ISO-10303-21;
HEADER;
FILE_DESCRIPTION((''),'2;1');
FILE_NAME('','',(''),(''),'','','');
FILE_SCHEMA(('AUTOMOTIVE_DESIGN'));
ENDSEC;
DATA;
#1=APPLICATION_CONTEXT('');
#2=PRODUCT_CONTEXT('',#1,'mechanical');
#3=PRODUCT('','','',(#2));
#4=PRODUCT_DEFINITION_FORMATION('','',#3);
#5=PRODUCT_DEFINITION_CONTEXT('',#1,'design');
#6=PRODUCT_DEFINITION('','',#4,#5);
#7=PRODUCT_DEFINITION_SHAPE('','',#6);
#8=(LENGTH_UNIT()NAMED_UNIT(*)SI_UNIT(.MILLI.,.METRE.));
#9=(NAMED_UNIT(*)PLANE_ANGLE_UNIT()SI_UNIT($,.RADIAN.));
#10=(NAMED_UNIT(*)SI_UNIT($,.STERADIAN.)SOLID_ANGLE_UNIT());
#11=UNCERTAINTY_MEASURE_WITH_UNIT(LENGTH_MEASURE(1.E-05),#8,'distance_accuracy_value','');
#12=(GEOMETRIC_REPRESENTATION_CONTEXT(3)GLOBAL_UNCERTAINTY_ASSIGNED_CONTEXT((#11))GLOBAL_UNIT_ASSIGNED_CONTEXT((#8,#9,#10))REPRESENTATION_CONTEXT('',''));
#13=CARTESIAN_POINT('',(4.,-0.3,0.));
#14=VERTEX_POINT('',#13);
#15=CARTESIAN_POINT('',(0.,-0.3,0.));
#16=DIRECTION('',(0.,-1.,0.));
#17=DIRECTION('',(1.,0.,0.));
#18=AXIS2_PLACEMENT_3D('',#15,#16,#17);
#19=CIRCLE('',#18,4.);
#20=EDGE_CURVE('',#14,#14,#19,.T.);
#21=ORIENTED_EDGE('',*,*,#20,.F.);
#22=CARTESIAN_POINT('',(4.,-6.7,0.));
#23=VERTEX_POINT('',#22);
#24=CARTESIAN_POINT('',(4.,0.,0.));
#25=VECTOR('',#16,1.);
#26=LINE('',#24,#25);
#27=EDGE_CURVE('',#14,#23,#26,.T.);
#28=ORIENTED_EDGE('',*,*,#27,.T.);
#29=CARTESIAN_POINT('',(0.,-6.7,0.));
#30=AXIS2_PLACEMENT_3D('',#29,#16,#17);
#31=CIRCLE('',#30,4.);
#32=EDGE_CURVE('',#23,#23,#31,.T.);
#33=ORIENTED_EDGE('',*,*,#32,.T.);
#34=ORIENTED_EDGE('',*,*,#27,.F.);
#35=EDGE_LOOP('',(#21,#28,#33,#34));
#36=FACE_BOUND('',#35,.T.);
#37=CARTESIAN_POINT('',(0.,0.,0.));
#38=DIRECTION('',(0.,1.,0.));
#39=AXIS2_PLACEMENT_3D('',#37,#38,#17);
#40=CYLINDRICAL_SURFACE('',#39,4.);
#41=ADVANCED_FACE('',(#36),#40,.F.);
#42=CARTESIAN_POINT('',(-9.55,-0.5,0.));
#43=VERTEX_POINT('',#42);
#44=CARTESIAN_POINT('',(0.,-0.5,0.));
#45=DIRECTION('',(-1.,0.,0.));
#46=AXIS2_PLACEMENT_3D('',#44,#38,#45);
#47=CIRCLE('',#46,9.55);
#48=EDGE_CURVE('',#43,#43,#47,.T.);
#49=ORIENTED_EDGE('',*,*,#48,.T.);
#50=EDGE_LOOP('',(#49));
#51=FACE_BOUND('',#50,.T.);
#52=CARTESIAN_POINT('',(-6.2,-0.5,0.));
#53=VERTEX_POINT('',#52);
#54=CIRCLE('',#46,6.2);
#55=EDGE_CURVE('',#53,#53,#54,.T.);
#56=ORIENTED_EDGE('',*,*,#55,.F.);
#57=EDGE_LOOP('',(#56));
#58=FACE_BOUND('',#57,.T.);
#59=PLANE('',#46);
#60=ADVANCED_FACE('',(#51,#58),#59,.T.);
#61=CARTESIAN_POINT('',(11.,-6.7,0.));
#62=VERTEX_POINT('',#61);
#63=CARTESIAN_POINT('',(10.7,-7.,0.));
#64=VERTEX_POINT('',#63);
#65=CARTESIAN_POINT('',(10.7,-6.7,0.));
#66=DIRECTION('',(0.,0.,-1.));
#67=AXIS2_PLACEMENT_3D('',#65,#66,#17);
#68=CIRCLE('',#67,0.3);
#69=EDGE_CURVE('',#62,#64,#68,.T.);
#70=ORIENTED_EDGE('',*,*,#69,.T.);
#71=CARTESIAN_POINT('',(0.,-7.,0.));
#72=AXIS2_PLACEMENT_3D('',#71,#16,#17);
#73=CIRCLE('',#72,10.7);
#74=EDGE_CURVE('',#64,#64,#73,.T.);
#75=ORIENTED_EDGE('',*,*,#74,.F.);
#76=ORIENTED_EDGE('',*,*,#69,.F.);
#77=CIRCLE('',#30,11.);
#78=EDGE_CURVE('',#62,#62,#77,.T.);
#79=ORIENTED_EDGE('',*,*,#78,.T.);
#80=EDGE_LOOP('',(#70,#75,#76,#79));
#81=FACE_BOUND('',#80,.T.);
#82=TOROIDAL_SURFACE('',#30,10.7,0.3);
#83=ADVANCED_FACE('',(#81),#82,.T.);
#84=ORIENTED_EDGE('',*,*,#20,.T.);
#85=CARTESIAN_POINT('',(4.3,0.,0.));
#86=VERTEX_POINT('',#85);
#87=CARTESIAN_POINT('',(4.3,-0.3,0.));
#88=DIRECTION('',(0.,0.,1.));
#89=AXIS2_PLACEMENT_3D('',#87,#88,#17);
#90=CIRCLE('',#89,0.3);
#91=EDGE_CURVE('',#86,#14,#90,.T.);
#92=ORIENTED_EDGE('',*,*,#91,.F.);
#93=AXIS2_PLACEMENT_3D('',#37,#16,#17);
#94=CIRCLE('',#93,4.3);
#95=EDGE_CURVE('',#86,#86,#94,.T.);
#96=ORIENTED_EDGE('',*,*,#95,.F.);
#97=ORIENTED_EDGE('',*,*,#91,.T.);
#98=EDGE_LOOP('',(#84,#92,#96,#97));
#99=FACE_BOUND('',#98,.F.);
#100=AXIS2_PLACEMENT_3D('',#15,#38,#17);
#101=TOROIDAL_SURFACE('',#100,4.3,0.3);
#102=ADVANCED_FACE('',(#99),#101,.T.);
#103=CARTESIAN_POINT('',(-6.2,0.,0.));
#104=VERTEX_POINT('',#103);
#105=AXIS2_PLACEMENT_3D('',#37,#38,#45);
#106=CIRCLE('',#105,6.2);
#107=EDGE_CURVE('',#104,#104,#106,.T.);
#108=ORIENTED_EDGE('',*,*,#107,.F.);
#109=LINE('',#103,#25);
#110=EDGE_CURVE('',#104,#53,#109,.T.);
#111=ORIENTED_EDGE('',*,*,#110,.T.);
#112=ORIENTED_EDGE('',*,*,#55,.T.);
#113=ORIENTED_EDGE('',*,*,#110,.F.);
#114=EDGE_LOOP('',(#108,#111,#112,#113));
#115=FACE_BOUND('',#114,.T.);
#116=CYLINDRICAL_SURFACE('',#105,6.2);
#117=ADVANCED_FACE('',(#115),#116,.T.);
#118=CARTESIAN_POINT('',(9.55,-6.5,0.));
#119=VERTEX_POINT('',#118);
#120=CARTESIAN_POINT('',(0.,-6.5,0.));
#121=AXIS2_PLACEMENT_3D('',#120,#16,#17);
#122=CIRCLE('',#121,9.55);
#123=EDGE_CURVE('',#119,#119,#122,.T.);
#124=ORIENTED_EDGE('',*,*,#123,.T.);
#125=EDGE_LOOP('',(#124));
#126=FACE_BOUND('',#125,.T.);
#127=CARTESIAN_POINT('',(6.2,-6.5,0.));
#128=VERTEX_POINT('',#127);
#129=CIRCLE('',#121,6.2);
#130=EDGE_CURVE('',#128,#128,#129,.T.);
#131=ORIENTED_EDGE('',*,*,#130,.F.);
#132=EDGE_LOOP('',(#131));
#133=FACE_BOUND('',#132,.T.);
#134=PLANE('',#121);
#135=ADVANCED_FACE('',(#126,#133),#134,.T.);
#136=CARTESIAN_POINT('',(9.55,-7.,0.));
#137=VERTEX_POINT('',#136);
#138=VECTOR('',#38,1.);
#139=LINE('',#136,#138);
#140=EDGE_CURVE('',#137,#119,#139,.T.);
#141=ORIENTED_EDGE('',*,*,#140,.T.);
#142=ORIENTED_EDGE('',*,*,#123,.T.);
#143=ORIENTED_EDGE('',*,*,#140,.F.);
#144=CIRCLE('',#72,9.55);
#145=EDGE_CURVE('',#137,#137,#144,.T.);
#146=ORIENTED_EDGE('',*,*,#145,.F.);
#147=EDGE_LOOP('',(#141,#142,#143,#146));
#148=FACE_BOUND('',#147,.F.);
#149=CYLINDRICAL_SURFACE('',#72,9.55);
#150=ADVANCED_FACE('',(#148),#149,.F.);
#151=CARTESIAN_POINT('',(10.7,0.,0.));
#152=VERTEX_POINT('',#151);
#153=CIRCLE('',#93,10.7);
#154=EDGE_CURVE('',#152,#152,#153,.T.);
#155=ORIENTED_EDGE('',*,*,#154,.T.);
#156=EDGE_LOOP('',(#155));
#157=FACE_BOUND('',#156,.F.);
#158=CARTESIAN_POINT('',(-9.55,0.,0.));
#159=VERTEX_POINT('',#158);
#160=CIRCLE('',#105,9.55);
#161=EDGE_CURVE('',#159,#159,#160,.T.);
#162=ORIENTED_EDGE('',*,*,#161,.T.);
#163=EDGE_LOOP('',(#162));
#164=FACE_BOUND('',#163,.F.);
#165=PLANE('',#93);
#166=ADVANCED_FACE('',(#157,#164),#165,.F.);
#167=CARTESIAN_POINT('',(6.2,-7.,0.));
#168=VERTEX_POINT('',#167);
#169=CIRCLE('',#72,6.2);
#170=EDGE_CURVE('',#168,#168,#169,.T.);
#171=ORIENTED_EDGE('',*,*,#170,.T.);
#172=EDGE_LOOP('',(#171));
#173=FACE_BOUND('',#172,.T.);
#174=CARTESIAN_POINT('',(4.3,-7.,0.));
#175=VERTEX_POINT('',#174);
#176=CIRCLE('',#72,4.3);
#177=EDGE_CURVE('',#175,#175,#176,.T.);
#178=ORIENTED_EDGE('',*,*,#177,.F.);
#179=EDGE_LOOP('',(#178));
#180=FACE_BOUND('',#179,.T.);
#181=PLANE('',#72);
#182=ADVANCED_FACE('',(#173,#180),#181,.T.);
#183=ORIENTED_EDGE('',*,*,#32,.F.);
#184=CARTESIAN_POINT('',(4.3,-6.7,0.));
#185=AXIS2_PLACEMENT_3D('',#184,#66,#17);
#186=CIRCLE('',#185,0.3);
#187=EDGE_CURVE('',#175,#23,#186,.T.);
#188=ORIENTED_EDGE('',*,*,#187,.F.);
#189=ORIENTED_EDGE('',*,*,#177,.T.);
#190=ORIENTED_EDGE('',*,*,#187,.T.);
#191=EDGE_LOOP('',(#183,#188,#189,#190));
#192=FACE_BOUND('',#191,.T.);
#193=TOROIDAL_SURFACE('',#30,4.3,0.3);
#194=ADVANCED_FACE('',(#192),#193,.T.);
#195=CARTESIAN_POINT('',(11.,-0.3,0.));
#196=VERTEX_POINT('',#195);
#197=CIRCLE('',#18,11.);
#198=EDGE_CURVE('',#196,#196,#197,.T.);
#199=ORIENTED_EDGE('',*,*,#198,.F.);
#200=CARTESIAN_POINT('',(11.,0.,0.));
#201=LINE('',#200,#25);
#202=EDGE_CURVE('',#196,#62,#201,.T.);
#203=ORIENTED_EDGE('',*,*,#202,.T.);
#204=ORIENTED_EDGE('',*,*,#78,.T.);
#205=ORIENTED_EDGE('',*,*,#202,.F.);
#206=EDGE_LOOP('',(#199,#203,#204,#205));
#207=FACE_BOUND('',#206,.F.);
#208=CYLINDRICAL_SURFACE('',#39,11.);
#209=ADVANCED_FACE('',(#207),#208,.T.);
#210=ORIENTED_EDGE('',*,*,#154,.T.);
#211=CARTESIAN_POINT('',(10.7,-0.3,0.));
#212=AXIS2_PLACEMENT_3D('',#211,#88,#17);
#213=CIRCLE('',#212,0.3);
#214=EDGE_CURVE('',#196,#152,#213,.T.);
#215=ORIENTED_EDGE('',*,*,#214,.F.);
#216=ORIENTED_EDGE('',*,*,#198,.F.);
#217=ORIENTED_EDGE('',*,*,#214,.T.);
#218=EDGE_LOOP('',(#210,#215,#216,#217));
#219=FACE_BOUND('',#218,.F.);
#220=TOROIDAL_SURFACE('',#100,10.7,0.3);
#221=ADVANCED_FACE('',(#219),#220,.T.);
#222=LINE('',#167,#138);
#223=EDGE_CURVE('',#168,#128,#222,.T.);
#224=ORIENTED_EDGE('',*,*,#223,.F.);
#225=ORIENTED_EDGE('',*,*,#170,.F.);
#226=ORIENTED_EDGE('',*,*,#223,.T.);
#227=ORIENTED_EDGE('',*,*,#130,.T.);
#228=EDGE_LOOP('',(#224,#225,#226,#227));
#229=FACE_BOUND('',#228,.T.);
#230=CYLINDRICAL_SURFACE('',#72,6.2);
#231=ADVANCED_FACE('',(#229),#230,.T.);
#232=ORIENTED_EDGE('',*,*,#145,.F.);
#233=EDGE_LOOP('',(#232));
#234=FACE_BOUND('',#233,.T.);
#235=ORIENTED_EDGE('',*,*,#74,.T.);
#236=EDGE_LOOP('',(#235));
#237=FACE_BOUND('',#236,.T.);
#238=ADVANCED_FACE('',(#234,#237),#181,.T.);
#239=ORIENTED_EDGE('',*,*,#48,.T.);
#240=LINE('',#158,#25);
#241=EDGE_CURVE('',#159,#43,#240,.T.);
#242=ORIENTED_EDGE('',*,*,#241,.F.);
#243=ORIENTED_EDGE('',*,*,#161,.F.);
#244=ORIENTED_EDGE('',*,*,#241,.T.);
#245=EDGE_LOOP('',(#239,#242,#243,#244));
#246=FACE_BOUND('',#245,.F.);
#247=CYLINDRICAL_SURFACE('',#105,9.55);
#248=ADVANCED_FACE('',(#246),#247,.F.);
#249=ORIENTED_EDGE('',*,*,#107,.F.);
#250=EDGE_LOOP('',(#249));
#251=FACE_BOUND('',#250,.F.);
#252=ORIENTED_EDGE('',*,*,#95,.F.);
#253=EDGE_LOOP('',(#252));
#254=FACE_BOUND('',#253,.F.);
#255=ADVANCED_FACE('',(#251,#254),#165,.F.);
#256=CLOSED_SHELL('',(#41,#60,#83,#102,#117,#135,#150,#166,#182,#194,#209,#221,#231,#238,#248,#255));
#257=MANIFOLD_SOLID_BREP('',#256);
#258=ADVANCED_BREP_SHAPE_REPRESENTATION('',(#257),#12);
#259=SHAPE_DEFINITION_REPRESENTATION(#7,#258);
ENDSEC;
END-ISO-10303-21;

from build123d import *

# Parameters (mm, degrees)
F0_R     = 11
F0_R_2   = 4
F1_DEPTH = 7
F2_R     = 9.55
F2_R_2   = 6.2
F3_DEPTH = 0.5
F4_R     = 9.55
F4_R_2   = 6.2
F5_DEPTH = 0.5
F6_R     = 0.3
F7_R     = 0.3
F8_R     = 0.3


with BuildPart() as f1:
    # F0 (on Front) → F1 (new body)
    with BuildSketch(Plane.XZ):
        Circle(F0_R)
        Circle(F0_R_2, mode=Mode.SUBTRACT)
    extrude(amount=F1_DEPTH)

    # F2 (on face) → F3 (cut)
    with BuildSketch(Plane(origin=(0, 0, 0), x_dir=(-1, 0, 0), z_dir=(0, 1, 0))):
        Circle(F2_R)
        Circle(F2_R_2, mode=Mode.SUBTRACT)
    extrude(amount=-F3_DEPTH, mode=Mode.SUBTRACT)

    # F4 (on face) → F5 (cut)
    with BuildSketch(Plane.XZ.offset(7)):
        Circle(F4_R)
        Circle(F4_R_2, mode=Mode.SUBTRACT)
    extrude(amount=-F5_DEPTH, mode=Mode.SUBTRACT)

    # F6
    f6_edges = [f1.edges().sort_by_distance(p)[0] for p in [
        (-11, 0, 0),
    ]]
    fillet(f6_edges, radius=F6_R)

    # F7
    f7_edges = [f1.edges().sort_by_distance(p)[0] for p in [
        (-11, -7, 0),
        (-4, -7, 0),
    ]]
    fillet(f7_edges, radius=F7_R)

    # F8
    f8_edges = [f1.edges().sort_by_distance(p)[0] for p in [
        (-4, 0, 0),
    ]]
    fillet(f8_edges, radius=F8_R)


solid = f1.part
